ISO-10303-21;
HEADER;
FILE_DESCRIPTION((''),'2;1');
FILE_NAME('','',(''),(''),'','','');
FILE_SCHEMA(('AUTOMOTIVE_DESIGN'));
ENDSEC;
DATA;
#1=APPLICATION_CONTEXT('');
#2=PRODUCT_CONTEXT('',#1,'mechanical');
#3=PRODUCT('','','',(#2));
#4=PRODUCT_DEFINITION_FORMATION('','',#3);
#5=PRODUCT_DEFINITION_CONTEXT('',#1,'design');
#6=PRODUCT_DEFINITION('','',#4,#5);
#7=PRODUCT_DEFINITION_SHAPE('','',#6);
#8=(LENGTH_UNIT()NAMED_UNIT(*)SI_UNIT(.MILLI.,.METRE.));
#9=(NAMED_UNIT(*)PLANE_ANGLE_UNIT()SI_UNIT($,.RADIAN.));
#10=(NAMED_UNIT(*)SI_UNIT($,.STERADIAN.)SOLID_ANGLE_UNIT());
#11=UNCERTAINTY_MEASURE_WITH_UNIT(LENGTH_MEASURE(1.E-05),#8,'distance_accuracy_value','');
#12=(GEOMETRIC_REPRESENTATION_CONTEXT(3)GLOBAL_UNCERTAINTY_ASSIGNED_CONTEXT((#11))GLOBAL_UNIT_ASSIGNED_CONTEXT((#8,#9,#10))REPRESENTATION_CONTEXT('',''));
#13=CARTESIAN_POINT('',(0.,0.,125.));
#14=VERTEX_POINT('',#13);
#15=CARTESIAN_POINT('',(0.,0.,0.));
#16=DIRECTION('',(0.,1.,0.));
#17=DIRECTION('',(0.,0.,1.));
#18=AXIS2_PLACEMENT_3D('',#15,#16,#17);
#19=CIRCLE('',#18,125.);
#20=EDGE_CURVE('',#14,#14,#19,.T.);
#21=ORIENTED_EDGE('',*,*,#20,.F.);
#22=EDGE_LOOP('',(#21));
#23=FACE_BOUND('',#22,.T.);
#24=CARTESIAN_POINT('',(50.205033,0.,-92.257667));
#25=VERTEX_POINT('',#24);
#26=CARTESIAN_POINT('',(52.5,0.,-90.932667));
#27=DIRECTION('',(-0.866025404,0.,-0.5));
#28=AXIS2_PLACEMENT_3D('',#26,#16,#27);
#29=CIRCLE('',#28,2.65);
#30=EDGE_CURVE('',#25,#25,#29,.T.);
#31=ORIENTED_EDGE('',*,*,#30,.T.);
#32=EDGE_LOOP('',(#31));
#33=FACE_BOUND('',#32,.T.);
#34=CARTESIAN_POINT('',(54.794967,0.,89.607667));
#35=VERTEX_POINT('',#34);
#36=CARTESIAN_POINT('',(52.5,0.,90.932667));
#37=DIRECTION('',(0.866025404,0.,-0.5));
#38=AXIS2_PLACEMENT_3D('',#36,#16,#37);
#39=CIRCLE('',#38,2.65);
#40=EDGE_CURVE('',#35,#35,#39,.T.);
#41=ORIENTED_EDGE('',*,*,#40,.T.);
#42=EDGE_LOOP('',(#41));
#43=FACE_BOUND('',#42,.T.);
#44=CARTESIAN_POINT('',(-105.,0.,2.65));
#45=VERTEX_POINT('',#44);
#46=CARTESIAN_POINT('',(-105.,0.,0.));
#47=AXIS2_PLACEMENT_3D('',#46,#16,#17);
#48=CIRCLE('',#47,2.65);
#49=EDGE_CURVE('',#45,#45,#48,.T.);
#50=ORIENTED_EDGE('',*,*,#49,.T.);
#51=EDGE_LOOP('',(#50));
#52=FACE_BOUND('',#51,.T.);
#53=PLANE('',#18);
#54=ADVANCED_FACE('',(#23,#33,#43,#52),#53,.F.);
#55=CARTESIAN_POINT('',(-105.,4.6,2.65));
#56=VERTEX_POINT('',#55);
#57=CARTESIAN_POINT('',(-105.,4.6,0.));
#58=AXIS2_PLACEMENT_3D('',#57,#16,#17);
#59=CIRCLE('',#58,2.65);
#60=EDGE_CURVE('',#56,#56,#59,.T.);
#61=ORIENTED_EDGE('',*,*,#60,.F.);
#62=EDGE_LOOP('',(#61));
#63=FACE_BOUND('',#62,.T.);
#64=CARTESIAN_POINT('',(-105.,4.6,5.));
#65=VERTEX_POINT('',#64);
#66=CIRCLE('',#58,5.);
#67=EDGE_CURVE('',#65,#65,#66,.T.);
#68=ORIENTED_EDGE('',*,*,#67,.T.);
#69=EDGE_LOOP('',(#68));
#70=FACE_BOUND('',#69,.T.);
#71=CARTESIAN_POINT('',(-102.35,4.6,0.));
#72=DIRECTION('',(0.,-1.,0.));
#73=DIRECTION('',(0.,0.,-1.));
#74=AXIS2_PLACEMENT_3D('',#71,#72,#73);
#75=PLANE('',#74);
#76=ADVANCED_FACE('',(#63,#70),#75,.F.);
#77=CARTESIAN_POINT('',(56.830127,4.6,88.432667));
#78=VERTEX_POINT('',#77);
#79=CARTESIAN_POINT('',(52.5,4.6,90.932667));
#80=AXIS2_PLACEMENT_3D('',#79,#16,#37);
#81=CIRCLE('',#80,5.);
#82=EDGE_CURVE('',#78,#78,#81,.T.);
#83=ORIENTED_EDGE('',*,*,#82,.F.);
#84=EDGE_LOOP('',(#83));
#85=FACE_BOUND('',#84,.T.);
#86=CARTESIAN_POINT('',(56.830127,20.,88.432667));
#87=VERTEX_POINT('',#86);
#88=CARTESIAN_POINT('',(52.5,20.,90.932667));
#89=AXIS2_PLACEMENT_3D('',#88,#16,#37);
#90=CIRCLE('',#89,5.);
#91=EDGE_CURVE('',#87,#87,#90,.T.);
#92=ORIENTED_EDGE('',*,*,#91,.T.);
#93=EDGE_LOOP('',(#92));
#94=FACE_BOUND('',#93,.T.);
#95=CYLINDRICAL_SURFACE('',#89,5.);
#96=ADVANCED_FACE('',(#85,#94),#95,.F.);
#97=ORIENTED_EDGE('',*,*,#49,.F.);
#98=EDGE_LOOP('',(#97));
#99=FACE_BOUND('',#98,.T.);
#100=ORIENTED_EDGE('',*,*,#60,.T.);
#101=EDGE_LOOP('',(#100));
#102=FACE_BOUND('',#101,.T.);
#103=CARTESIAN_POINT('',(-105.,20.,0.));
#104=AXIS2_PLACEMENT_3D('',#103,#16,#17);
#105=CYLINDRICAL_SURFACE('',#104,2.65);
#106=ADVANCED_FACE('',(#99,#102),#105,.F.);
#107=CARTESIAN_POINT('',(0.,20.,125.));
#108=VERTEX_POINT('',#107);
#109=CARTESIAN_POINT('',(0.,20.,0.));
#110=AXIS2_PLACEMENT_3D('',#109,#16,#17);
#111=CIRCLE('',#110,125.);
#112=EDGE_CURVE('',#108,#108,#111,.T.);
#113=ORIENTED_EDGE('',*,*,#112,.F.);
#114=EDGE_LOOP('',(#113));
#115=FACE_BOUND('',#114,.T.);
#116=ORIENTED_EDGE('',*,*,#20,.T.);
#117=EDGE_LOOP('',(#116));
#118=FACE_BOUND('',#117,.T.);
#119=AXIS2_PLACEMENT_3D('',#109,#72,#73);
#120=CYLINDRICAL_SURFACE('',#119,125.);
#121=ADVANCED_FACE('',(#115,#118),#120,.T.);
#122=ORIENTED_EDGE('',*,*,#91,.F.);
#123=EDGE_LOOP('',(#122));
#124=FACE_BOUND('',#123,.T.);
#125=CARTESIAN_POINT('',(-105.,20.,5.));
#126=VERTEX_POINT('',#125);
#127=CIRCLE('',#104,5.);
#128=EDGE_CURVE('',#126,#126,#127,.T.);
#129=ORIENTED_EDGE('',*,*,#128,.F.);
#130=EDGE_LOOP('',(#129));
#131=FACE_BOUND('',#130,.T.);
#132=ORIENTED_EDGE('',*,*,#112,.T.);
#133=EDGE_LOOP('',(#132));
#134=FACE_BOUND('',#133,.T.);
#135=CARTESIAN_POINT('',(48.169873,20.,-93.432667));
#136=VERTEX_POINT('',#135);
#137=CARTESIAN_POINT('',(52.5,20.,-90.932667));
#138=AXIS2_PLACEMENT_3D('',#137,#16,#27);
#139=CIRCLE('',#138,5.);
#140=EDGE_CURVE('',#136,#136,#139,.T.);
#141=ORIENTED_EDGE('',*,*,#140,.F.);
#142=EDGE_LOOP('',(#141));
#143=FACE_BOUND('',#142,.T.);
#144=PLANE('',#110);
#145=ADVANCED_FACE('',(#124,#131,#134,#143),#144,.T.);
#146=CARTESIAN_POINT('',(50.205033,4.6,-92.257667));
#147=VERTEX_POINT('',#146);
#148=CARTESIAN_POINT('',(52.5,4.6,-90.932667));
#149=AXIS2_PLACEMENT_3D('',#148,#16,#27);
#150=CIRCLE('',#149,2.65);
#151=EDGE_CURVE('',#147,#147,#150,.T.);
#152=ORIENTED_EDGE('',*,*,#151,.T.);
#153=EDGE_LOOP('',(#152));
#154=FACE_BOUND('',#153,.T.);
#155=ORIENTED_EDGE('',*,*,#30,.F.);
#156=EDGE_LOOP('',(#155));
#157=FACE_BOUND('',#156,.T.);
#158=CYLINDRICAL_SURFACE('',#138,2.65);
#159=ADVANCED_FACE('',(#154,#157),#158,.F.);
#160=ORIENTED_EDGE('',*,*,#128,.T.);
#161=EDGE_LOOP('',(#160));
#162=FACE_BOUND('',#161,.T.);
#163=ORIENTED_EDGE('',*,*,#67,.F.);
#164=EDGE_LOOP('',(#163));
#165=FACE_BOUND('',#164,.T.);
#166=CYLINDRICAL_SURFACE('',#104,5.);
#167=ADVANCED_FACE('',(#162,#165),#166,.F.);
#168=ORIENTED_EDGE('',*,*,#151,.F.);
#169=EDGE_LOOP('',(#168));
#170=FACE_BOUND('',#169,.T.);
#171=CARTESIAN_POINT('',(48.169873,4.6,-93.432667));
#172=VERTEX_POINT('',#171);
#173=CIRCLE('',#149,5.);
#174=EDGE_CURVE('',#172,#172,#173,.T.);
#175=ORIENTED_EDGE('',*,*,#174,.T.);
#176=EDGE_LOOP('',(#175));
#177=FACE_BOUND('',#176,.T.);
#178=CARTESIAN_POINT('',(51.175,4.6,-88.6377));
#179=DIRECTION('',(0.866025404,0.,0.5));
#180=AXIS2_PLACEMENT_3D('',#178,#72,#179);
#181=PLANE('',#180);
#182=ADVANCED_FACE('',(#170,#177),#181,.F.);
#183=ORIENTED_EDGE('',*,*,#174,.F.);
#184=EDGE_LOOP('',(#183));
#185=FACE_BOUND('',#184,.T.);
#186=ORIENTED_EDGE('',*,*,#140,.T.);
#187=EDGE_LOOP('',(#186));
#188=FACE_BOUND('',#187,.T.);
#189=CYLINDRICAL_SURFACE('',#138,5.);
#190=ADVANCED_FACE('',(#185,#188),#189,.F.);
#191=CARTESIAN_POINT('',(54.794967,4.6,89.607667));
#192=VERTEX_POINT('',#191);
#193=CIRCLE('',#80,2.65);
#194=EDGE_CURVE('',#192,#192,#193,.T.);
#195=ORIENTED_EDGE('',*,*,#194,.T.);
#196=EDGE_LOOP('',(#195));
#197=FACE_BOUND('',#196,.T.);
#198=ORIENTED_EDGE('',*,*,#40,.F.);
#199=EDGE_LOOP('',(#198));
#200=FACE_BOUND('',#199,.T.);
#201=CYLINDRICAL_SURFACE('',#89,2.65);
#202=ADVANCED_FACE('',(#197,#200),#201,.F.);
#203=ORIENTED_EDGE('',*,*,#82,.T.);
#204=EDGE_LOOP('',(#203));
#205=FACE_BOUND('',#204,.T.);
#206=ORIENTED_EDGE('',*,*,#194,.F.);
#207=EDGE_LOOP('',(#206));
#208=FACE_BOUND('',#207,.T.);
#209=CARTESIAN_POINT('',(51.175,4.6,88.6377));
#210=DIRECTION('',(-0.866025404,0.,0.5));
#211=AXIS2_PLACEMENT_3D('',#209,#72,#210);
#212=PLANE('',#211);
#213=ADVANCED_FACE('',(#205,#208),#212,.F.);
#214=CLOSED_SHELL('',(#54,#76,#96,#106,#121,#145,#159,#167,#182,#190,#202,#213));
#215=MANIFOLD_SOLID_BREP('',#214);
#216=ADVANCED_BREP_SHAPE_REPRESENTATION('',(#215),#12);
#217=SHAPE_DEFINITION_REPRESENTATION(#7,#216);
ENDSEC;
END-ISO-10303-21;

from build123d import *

# Parameters (mm, degrees)
SKETCH1_R                                           = 125
PLATE_DEPTH                                         = 20
CBORE_FOR_M5_HEX_SOCKET_HEAD_CAP_SCREW1_D           = 5.3
CBORE_FOR_M5_HEX_SOCKET_HEAD_CAP_SCREW1_CBORE_D     = 10
CBORE_FOR_M5_HEX_SOCKET_HEAD_CAP_SCREW1_CBORE_DEPTH = 15.4
CIRPATTERN1_COUNT                                   = 3


with BuildPart() as part:
    # Sketch1 → Plate (new body)
    with BuildSketch(Plane(origin=(0, 0, 0), x_dir=(1, 0, 0), z_dir=(0, 1, 0))):
        Circle(SKETCH1_R)
    extrude(amount=PLATE_DEPTH)

    # CBORE for M5 Hex Socket Head Cap Screw1 (through all)
    with Locations(Plane(origin=(0, 20, 0), x_dir=(1, 0, 0), z_dir=(0, 1, 0))):
        with Locations((-105, 0)):
            cbore_for_m5_hex_socket_head_cap_screw1 = CounterBoreHole(CBORE_FOR_M5_HEX_SOCKET_HEAD_CAP_SCREW1_D / 2, CBORE_FOR_M5_HEX_SOCKET_HEAD_CAP_SCREW1_CBORE_D / 2, CBORE_FOR_M5_HEX_SOCKET_HEAD_CAP_SCREW1_CBORE_DEPTH)

    # CirPattern1: CBORE for M5 Hex Socket Head Cap Screw1 ×3 about axis
    cirpattern1_axis = Axis((0, 0, 0), (0, 1, 0))
    for i in range(1, CIRPATTERN1_COUNT):
        add(cbore_for_m5_hex_socket_head_cap_screw1.rotate(cirpattern1_axis, i * 360 / CIRPATTERN1_COUNT), mode=Mode.SUBTRACT)


solid = part.part
